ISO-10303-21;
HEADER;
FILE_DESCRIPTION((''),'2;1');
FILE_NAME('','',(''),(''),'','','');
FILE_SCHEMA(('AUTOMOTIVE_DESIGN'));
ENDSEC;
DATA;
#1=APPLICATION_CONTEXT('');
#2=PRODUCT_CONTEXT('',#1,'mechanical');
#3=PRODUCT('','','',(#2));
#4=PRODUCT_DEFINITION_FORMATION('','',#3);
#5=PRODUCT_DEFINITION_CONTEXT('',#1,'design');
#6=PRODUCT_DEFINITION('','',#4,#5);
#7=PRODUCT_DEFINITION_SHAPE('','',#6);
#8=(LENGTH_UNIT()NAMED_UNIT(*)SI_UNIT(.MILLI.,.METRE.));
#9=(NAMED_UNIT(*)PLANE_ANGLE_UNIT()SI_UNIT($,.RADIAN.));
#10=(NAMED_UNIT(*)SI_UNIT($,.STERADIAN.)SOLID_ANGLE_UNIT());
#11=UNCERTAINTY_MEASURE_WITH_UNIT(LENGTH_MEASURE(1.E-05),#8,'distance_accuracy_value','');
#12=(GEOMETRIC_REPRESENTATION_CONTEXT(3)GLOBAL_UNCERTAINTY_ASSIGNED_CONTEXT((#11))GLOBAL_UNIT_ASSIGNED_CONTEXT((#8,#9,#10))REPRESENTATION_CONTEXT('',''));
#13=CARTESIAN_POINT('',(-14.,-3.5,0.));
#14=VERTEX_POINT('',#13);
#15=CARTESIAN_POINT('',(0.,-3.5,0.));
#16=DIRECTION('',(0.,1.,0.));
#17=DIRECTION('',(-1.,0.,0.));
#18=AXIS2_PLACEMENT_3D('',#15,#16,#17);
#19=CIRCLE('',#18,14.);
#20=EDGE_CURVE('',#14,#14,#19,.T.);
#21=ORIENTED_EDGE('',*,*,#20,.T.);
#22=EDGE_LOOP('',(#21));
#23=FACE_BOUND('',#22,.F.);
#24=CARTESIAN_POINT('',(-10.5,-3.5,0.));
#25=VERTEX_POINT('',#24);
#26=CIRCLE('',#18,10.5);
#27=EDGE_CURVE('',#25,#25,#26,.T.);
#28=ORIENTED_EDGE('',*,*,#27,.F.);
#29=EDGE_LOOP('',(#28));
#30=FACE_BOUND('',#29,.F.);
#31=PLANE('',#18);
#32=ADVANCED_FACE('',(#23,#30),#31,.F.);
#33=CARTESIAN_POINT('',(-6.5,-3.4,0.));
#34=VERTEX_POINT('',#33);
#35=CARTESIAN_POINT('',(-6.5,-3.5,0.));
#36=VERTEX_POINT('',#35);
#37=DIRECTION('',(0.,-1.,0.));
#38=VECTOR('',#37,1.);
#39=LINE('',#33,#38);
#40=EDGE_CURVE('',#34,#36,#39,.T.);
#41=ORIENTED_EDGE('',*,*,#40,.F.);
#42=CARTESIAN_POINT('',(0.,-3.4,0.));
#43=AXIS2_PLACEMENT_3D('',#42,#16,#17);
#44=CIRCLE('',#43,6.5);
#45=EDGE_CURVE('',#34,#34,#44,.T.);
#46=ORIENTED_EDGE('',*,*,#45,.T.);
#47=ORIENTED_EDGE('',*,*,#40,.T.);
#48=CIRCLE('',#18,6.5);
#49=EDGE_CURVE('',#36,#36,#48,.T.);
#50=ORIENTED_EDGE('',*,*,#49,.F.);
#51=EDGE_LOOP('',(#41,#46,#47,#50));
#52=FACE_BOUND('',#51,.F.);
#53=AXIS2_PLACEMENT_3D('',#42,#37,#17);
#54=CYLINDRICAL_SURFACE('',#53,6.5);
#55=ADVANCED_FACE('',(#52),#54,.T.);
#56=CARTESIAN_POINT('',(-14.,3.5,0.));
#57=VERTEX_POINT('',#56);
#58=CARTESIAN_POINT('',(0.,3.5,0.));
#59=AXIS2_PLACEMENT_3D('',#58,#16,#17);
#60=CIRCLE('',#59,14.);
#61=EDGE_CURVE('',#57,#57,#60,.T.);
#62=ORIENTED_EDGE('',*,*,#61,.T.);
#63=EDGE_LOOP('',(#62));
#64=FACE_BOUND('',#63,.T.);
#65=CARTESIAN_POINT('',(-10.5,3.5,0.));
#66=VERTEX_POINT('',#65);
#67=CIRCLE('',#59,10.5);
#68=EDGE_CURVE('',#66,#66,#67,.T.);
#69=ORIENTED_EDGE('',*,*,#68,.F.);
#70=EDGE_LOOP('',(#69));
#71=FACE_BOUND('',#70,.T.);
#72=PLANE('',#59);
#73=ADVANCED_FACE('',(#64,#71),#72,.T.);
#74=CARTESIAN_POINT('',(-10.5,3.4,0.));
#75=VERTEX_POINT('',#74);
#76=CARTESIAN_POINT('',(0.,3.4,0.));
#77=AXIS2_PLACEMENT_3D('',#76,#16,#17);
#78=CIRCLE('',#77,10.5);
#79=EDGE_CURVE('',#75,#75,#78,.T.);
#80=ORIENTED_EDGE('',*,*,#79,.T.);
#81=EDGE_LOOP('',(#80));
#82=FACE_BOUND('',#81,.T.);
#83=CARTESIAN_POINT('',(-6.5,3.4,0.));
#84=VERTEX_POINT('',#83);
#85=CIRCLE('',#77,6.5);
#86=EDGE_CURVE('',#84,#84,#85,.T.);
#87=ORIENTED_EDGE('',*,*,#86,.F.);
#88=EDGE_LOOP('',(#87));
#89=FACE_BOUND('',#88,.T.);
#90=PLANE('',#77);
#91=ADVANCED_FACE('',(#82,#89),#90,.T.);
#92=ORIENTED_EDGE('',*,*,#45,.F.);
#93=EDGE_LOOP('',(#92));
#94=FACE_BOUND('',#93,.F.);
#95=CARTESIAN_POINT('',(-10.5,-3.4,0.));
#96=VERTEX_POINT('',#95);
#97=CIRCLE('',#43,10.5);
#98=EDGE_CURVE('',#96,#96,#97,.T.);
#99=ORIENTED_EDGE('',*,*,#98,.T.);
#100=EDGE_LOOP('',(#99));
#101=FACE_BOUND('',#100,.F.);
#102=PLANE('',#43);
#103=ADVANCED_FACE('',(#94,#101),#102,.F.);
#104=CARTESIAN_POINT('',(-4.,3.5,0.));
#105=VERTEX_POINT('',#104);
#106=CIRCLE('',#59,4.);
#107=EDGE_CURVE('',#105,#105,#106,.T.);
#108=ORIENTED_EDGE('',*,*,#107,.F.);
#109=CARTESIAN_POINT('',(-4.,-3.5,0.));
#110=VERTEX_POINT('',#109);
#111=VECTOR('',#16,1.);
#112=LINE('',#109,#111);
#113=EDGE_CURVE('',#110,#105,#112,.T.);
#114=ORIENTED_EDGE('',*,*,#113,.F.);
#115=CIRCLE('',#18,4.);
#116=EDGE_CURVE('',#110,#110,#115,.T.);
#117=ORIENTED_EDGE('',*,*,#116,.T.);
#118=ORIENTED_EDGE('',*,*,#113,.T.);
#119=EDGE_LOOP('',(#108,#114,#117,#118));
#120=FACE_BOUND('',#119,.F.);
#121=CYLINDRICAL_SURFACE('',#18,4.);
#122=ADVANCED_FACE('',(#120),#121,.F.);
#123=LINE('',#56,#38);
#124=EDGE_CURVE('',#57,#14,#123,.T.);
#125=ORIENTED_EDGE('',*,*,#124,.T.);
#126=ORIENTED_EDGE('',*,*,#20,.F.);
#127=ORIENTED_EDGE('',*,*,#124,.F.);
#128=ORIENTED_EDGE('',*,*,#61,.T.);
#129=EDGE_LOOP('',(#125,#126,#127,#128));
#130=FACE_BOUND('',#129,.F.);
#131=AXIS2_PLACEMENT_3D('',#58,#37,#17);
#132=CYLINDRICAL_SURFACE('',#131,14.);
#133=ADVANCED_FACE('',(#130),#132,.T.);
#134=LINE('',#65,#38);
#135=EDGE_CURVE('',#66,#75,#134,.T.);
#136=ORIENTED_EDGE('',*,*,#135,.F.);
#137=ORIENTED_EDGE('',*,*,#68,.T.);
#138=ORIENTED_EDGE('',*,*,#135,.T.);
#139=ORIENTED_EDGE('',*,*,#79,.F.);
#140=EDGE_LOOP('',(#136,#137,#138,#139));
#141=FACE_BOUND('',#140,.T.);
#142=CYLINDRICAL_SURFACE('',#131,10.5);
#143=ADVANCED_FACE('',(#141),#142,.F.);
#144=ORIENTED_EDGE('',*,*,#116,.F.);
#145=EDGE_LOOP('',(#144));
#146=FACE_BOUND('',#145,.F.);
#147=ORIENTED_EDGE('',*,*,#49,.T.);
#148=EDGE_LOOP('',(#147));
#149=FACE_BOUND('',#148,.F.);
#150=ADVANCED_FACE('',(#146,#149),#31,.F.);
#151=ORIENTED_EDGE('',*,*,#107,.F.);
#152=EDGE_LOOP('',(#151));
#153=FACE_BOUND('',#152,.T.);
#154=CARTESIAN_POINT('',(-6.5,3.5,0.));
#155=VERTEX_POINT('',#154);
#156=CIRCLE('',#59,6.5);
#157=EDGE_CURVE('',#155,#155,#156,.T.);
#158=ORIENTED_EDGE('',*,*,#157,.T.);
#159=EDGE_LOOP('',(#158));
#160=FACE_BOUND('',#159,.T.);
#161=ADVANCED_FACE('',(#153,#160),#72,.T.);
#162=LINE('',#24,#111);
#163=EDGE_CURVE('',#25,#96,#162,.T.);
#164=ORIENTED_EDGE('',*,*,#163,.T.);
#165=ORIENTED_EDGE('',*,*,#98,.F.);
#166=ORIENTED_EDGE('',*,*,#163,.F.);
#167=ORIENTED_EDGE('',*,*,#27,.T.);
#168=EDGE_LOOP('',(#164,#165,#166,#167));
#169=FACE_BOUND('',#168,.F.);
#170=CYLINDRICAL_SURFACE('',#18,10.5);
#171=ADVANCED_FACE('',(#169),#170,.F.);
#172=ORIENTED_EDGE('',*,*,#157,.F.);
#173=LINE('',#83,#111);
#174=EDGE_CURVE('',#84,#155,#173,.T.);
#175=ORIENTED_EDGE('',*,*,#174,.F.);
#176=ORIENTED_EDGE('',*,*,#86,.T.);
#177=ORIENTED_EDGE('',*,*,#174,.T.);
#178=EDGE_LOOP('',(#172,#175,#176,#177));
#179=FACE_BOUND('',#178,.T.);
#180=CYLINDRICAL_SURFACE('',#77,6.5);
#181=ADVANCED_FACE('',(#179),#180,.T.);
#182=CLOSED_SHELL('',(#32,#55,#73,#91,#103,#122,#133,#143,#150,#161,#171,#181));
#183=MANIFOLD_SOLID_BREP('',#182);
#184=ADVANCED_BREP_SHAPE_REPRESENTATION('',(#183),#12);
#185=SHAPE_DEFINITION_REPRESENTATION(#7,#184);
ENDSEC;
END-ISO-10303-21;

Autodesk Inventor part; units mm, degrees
ref_plane "YZ Plane" through (0, 0, 0) normal (1, 0, 0) x (0, 1, 0)
ref_plane "XZ Plane" through (0, 0, 0) normal (0, 1, 0) x (-1, 0, 0)
ref_plane "XY Plane" through (0, 0, 0) normal (0, 0, 1) x (1, 0, 0)
sketch "スケッチ1" plane through (0, 0, 0) normal (0, 0, 1) x (1, 0, 0)
  line L0 (-14, 3.5) -> (-14, -3.5)
  line L1 (-14, -3.5) -> (-10.5, -3.5)
  line L2 (-10.5, -3.5) -> (-10.5, -3.4)
  line L3 (-10.5, -3.4) -> (-6.5, -3.4)
  line L4 (-6.5, -3.4) -> (-6.5, -3.5)
  line L5 (-6.5, -3.5) -> (-4, -3.5)
  line L6 (-4, -3.5) -> (-4, 3.5)
  line L7 (0, 0) -> (-14, 0) construction
  line L8 (0, 0) -> (0, 3.5) construction
  line L9 (-14, 3.5) -> (-10.5, 3.5)
  line L10 (-10.5, 3.5) -> (-10.5, 3.4)
  line L11 (-10.5, 3.4) -> (-6.5, 3.4)
  line L12 (-6.5, 3.4) -> (-6.5, 3.5)
  line L13 (-6.5, 3.5) -> (-4, 3.5)
  dimension "d0" = 0.1
  dimension "d1" = 7
  dimension "d2" = 4
  dimension "d3" = 14
  dimension "d4" = 3.5
  dimension "d5" = 2.5
revolve "回転1" add sketch "スケッチ1" angle 360 about axis through (0, 0, 0) along (0, 1, 0)
properties part number "Gbear_28_8" material "ステンレス鋼"
